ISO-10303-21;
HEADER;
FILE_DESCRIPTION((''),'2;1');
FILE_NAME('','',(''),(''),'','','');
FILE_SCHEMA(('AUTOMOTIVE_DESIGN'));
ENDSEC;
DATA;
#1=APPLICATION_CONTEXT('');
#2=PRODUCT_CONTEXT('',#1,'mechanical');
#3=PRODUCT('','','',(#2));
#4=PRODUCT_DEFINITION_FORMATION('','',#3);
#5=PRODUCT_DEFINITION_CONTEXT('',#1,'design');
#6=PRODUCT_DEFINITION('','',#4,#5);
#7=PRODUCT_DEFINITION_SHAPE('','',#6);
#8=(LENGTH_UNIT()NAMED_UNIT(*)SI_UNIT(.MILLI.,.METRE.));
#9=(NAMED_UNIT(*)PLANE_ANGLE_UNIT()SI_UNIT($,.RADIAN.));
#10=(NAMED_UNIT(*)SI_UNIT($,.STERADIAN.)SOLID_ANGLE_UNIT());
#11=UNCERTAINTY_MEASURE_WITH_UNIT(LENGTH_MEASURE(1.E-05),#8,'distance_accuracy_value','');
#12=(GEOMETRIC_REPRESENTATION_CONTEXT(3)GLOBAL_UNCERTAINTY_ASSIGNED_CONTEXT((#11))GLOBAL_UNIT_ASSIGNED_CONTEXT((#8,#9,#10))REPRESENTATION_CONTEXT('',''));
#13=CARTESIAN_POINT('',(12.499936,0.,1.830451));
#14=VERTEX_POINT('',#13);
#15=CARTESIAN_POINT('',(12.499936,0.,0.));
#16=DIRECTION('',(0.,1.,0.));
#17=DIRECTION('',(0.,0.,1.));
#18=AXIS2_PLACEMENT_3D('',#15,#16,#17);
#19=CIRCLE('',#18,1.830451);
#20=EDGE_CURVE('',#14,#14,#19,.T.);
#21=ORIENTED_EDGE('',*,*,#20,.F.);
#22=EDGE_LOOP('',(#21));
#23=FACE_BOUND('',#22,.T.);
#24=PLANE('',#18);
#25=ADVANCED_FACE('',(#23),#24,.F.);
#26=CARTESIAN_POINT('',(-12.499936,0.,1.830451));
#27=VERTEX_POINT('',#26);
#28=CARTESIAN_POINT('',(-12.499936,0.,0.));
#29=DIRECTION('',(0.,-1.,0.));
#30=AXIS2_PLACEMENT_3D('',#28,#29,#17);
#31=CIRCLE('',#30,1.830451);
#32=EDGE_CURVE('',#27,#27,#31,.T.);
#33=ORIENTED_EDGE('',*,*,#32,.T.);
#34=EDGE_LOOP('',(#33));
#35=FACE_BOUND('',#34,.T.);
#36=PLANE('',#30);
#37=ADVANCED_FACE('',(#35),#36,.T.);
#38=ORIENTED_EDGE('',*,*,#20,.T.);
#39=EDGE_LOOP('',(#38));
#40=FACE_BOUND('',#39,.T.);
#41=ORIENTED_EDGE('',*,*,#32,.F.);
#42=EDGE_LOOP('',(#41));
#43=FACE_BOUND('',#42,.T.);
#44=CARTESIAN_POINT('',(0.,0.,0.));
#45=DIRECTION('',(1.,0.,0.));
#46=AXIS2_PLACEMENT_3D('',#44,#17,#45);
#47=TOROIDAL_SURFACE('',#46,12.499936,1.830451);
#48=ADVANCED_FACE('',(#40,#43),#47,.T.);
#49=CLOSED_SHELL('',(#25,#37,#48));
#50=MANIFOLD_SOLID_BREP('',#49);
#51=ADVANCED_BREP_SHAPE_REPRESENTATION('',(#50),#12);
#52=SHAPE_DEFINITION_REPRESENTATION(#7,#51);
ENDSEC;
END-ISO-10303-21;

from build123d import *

# Parameters (mm, degrees)
SKETCH7_R = 1.83045086


with BuildPart() as part:
    # Sweep2: sweep along a path in Sketch6
    with BuildLine(Plane.XY) as sweep2_path:
        ThreePointArc((12.499935875, 0), (0, 12.499935875), (-12.499935875, 0))
    # Sketch7 → Sweep2 (sweep)
    with BuildSketch(Plane(origin=(0, 0, 0), x_dir=(1, 0, 0), z_dir=(0, 1, 0))):
        with Locations((12.499935875, 0)):
            Circle(SKETCH7_R)
    sweep(path=sweep2_path.line)


solid = part.part
